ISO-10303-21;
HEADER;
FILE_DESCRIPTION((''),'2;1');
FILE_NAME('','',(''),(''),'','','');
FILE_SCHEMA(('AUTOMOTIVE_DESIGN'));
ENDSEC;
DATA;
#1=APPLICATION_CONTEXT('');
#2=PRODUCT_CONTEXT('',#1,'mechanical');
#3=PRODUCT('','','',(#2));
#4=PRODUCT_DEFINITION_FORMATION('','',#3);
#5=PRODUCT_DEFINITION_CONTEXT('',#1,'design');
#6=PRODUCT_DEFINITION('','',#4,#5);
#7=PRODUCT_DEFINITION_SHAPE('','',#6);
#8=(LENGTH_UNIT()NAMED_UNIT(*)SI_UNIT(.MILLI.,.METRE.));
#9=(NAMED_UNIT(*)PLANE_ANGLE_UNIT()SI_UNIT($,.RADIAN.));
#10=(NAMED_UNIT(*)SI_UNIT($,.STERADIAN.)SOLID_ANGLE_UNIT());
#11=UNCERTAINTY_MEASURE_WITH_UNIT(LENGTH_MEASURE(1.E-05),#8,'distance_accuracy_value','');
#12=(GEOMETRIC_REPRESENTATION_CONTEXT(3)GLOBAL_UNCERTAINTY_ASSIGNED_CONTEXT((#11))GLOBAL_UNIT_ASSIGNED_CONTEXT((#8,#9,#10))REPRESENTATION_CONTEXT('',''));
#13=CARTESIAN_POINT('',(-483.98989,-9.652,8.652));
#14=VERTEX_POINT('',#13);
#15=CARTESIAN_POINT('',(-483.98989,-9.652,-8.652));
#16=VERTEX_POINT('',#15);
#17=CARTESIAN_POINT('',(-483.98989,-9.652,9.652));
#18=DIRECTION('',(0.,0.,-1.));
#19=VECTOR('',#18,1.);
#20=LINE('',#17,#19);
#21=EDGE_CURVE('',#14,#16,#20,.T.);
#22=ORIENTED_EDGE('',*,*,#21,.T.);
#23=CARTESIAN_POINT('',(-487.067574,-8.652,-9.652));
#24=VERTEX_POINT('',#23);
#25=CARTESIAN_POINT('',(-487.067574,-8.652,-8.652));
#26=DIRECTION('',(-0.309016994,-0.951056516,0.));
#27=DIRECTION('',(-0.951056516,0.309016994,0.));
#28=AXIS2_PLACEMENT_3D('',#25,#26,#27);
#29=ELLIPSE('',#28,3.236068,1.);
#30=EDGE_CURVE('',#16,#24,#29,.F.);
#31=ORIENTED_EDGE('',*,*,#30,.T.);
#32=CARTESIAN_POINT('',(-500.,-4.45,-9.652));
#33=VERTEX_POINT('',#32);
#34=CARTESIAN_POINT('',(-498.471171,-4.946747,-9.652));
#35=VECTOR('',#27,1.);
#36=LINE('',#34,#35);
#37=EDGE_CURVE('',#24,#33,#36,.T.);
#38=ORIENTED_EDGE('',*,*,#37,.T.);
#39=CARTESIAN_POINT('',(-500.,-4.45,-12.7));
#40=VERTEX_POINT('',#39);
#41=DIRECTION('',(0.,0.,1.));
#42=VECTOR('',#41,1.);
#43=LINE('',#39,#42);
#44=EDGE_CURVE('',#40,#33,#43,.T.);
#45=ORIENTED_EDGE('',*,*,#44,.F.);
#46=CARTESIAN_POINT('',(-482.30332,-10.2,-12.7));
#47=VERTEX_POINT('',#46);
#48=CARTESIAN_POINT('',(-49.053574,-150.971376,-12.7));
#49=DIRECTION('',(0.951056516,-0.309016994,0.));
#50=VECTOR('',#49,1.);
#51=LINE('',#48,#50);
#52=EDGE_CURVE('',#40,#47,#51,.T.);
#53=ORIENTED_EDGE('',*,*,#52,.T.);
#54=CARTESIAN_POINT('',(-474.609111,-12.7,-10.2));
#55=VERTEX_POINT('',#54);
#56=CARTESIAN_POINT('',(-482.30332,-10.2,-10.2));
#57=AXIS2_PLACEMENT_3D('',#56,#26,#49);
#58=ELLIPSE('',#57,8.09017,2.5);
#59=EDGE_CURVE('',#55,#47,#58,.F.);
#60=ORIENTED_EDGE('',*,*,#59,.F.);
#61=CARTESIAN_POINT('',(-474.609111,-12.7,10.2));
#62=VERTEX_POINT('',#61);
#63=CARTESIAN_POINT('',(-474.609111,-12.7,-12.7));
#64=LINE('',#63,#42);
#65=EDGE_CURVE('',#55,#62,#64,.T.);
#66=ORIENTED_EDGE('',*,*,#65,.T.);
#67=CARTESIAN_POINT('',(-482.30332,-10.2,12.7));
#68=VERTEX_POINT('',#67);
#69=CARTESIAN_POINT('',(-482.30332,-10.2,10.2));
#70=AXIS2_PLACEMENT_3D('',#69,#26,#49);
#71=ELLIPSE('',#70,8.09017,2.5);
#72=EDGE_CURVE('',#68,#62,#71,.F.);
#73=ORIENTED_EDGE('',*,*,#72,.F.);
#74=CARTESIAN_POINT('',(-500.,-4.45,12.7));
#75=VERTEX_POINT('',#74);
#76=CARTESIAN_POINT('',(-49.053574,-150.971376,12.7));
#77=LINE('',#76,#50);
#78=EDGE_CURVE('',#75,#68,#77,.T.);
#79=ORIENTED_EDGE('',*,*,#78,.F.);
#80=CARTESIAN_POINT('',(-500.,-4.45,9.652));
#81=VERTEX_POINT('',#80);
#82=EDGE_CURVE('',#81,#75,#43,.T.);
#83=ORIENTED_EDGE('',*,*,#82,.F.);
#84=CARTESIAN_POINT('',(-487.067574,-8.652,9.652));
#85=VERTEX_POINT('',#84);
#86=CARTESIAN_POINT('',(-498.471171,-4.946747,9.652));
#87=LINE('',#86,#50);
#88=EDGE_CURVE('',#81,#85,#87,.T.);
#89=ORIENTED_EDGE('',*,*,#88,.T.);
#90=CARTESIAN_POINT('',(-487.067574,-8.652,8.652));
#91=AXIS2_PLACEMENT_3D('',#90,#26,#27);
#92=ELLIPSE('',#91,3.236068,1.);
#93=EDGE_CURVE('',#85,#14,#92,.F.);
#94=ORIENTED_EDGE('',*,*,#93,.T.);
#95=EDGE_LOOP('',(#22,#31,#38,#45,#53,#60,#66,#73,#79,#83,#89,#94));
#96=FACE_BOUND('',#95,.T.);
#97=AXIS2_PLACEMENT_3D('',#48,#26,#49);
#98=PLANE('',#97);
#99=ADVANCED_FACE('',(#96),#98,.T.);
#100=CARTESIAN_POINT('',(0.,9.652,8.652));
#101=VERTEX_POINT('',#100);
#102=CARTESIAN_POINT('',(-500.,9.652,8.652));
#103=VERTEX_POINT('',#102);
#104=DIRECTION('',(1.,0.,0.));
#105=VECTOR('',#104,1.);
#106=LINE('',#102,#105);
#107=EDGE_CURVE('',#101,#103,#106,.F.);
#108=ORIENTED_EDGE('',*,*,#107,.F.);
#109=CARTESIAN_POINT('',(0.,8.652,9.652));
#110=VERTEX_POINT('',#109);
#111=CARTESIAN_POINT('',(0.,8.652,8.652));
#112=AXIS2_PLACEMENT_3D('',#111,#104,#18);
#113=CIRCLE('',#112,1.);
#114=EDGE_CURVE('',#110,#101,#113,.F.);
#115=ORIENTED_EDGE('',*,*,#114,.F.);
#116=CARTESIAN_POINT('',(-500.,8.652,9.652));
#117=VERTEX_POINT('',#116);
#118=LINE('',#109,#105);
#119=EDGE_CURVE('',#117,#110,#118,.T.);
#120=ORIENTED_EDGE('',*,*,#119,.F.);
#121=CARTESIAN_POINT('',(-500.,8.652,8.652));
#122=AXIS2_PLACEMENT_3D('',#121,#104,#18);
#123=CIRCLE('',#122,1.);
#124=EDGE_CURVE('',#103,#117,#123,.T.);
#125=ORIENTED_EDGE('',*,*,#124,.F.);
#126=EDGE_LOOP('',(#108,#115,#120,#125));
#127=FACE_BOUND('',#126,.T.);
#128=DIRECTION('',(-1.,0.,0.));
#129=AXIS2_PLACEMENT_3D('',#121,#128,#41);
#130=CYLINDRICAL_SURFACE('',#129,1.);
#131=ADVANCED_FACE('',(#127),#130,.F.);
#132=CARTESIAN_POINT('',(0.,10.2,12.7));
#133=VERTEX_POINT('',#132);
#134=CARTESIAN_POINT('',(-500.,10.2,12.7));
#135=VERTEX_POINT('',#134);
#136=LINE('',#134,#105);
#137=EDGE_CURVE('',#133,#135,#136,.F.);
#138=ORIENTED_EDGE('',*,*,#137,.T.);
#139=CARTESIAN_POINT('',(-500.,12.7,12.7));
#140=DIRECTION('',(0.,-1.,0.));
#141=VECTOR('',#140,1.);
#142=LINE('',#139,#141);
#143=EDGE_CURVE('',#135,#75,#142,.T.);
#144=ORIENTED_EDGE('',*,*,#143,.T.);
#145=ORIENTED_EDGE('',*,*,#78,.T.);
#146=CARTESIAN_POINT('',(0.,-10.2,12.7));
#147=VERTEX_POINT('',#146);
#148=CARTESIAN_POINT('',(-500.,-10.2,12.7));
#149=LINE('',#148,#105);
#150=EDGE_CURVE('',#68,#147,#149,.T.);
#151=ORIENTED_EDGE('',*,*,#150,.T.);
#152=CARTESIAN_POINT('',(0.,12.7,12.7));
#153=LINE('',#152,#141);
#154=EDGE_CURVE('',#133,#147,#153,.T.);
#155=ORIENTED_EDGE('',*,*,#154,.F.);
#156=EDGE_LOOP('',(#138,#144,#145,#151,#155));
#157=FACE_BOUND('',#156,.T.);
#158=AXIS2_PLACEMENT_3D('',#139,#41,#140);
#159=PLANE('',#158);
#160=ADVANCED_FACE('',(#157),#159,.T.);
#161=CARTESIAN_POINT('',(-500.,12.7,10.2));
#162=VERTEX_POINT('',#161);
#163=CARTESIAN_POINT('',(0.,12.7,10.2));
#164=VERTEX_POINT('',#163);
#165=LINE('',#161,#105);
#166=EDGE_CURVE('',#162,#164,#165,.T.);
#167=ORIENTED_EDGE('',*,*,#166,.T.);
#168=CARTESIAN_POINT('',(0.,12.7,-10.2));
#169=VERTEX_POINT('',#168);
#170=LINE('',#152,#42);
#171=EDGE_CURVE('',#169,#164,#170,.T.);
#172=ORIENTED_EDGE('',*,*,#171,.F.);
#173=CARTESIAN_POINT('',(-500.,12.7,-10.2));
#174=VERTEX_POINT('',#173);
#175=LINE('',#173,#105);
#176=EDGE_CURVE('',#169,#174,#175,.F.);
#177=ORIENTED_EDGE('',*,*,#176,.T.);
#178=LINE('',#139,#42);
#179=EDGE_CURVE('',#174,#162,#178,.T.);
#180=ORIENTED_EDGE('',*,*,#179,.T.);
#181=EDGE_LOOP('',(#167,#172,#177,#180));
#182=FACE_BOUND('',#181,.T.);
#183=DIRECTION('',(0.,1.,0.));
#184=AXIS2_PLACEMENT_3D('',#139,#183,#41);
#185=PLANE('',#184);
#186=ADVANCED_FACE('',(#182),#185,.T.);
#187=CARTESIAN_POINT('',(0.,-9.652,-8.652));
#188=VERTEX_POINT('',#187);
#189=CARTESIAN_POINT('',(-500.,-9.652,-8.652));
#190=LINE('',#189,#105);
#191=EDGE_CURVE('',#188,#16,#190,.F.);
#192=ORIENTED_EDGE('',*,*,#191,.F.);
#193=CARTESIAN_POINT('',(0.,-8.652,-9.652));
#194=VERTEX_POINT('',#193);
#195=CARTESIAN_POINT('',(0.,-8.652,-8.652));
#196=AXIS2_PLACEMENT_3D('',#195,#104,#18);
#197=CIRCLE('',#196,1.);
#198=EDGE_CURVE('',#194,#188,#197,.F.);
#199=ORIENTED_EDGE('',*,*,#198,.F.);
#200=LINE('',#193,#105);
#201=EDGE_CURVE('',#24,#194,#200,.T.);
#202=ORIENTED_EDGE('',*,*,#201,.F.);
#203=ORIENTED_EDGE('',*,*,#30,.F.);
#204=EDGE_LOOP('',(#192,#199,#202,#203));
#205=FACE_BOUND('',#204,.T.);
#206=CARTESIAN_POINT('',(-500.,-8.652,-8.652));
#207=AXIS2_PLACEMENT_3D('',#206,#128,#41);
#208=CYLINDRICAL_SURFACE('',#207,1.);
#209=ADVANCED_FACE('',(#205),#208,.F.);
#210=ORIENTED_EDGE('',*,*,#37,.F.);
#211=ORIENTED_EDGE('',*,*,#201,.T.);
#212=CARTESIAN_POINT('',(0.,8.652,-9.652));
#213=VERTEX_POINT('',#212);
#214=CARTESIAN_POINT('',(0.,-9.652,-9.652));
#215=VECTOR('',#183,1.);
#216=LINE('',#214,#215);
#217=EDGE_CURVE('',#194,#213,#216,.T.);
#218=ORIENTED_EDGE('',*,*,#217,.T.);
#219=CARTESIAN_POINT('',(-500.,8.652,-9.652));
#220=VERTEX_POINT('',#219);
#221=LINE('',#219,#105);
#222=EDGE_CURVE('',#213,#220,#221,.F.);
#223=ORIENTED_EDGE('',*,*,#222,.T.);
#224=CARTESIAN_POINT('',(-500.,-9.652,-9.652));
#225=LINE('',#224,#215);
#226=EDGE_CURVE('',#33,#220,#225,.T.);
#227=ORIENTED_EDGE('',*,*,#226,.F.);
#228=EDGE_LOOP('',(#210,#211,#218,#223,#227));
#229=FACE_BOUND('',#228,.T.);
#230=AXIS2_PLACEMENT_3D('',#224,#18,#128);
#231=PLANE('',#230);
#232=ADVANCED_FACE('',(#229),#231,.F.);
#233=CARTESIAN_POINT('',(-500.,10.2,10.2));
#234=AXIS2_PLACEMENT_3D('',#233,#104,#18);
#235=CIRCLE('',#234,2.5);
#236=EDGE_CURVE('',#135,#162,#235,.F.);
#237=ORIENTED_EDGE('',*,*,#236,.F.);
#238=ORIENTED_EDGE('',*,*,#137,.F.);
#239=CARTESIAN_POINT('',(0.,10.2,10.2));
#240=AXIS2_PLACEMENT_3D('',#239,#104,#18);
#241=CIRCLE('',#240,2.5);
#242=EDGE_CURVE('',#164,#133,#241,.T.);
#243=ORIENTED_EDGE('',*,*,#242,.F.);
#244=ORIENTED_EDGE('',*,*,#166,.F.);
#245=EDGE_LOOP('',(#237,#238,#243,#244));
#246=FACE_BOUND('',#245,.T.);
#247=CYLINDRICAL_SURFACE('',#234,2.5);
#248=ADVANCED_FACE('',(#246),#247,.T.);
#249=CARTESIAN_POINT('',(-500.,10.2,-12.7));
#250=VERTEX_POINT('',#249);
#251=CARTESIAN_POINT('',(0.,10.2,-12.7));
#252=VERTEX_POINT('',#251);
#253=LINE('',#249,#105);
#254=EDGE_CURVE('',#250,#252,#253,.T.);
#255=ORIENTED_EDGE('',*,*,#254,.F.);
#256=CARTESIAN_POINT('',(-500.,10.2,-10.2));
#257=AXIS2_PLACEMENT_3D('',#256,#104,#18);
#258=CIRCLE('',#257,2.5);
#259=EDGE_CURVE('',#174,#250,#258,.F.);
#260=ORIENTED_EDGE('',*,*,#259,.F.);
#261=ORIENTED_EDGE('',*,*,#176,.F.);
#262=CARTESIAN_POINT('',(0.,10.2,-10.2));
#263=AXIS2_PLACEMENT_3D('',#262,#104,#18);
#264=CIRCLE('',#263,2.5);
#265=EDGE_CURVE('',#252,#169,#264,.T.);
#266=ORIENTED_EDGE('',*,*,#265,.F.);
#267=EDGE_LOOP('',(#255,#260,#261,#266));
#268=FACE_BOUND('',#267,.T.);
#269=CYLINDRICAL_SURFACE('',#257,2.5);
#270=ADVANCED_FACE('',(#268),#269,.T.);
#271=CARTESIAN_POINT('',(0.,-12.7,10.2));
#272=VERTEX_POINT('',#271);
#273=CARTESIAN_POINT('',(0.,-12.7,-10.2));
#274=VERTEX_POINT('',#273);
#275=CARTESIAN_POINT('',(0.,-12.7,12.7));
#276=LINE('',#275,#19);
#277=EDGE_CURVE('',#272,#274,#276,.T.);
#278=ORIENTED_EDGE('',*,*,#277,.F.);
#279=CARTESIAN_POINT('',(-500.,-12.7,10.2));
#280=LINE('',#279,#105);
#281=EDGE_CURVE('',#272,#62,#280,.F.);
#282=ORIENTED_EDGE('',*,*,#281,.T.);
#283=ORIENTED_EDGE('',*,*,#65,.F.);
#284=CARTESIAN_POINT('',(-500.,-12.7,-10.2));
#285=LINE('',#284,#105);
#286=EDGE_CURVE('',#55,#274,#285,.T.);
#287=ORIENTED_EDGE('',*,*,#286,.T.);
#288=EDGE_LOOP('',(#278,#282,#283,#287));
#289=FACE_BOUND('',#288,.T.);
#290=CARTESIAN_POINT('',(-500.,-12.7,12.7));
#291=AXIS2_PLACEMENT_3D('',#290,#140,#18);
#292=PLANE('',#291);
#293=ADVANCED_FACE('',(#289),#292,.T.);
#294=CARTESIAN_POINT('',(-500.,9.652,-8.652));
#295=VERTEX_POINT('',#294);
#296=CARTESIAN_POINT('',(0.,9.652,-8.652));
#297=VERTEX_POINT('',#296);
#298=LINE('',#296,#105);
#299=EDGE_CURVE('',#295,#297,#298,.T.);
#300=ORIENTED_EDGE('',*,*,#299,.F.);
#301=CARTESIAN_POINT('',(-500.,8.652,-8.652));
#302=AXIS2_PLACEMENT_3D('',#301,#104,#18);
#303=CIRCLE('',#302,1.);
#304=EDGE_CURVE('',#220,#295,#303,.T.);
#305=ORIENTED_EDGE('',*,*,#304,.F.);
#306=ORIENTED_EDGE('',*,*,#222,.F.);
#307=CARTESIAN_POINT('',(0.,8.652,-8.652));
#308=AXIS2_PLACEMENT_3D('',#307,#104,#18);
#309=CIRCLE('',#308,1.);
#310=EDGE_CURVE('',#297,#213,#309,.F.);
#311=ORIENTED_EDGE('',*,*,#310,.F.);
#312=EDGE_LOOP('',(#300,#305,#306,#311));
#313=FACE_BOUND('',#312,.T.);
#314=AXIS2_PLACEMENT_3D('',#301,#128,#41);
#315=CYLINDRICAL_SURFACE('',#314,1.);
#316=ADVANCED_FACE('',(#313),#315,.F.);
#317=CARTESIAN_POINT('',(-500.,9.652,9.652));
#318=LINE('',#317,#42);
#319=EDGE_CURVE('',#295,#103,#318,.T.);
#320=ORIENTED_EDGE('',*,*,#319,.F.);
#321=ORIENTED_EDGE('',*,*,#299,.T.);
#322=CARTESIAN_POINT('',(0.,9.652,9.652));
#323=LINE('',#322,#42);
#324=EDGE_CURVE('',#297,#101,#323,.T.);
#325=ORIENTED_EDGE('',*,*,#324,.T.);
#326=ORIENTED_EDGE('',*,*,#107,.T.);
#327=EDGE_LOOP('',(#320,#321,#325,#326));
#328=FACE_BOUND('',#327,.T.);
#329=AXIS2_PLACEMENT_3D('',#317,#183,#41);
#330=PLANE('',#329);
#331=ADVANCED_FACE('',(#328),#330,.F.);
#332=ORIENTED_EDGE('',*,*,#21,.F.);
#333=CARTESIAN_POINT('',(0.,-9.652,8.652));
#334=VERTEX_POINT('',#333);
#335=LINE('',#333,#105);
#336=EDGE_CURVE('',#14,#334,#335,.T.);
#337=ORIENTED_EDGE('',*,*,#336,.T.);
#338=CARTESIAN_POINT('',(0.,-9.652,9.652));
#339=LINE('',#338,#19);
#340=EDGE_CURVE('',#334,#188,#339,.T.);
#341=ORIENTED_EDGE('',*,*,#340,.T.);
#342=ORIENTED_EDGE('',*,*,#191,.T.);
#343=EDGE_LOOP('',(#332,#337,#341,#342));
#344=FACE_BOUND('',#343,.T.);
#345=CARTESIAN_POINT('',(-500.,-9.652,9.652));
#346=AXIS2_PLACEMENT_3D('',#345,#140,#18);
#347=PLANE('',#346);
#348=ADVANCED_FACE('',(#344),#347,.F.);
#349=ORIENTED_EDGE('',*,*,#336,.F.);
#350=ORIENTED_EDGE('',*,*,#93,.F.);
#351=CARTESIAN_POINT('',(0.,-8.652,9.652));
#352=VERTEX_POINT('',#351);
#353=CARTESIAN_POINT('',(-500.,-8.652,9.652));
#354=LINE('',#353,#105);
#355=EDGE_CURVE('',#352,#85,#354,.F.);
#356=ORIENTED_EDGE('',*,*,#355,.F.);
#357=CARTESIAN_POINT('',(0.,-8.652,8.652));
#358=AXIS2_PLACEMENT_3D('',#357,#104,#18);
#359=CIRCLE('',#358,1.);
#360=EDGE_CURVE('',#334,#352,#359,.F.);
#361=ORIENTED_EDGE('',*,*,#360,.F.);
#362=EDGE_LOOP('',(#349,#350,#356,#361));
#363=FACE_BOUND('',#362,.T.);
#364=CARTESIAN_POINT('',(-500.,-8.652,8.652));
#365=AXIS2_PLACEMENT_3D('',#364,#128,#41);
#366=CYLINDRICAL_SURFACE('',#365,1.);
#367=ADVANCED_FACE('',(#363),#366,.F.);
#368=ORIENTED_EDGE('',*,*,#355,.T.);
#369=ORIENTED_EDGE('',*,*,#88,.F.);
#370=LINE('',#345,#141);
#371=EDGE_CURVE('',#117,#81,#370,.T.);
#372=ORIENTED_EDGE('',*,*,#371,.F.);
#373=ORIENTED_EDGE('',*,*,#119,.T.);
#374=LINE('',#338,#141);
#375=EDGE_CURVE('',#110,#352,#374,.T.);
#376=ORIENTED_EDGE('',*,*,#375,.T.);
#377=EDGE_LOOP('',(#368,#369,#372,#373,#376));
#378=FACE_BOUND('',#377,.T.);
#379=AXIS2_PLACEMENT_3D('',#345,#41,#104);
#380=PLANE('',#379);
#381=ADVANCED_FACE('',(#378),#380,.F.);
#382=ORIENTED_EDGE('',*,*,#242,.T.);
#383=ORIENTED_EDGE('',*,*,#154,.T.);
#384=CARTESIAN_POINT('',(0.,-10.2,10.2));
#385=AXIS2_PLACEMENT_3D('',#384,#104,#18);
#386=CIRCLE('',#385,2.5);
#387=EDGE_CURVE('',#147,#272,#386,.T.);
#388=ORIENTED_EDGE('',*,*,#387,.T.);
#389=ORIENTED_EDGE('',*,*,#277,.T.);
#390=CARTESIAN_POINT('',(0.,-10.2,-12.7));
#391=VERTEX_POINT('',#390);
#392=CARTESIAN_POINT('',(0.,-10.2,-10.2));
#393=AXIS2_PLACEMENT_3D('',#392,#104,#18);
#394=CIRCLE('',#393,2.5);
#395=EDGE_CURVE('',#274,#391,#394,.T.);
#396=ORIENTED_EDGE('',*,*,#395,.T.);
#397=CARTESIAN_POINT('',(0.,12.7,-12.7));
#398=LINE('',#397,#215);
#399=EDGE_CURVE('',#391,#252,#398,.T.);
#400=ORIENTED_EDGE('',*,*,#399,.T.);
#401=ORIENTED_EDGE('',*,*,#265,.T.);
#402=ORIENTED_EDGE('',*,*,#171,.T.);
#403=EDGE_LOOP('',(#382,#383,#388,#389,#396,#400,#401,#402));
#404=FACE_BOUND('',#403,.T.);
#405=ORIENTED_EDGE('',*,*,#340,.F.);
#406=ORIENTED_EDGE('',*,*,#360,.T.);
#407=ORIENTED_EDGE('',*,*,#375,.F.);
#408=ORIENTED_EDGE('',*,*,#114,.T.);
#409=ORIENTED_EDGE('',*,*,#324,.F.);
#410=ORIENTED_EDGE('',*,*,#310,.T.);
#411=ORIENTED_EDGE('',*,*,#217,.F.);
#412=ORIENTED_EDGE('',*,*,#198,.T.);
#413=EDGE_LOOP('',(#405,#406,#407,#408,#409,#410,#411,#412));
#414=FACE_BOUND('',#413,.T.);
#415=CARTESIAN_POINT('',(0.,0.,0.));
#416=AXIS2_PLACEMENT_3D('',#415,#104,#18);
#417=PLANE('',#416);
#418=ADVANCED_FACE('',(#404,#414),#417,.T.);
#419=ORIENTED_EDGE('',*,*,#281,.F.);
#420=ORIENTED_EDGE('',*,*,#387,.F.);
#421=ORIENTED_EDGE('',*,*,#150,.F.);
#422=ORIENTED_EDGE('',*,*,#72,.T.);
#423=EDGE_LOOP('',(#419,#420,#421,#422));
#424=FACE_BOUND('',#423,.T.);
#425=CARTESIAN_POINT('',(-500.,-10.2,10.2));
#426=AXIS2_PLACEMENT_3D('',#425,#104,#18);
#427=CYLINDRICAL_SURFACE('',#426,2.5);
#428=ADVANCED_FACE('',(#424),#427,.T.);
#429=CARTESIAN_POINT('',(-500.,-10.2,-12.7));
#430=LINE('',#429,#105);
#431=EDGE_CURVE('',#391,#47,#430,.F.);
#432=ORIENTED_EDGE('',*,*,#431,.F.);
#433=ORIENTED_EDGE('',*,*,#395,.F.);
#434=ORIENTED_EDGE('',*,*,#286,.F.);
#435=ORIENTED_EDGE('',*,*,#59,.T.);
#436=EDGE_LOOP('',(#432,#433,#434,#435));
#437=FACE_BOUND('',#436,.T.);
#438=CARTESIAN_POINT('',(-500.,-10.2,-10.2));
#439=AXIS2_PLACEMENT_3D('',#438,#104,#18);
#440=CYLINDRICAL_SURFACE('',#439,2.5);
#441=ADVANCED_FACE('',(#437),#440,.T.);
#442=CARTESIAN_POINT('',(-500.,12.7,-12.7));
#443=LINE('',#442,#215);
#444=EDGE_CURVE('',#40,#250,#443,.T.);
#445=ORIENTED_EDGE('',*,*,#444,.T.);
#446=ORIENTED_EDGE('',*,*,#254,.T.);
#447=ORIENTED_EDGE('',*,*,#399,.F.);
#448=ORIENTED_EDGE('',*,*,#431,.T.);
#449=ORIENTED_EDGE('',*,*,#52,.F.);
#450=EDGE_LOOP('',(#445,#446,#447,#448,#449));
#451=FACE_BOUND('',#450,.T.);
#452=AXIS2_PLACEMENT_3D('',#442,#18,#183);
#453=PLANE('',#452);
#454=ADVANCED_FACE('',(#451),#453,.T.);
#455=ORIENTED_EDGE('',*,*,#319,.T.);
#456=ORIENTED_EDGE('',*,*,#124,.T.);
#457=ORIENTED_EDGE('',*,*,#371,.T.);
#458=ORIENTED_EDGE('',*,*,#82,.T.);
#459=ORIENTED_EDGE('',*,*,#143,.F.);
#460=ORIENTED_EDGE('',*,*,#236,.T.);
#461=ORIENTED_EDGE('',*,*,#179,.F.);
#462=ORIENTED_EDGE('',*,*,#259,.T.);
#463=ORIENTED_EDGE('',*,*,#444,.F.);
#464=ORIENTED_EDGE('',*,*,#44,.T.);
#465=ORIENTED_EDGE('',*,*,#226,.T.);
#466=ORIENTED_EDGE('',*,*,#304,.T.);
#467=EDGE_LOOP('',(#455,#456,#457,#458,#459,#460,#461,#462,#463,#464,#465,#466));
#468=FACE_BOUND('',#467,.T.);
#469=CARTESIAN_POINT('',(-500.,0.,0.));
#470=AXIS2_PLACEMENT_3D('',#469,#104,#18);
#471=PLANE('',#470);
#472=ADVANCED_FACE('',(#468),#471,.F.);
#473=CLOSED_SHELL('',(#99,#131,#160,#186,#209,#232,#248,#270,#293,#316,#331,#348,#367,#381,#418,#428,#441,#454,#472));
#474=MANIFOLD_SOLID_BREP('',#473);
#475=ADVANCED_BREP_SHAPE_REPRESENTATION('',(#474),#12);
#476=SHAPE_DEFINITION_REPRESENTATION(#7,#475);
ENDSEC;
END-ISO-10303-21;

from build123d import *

# Parameters (mm, degrees)
SKETCH3_W           = 25.4
SKETCH3_H           = 25.4
SKETCH3_W_2         = 19.304
SKETCH3_H_2         = 19.304
BOSS_EXTRUDE1_DEPTH = 500
FILLET1_R           = 2.5
FILLET2_R           = 1
CUT_EXTRUDE1_DEPTH  = 501.805800685


with BuildPart() as part:
    # Sketch3 → Boss-Extrude1 (new body)
    with BuildSketch(Plane(origin=(0, 0, 0), x_dir=(0, 0, -1), z_dir=(1, 0, 0))):
        Rectangle(SKETCH3_W, SKETCH3_H)
        Rectangle(SKETCH3_W_2, SKETCH3_H_2, mode=Mode.SUBTRACT)
    extrude(amount=-BOSS_EXTRUDE1_DEPTH)

    # Fillet1
    fillet1_edges = [part.edges().sort_by_distance(p)[0] for p in [
        (-250, -12.7, -12.7),
        (-250, -12.7, 12.7),
        (-250, 12.7, 12.7),
        (-250, 12.7, -12.7),
    ]]
    fillet(fillet1_edges, radius=FILLET1_R)

    # Fillet2
    fillet2_edges = [part.edges().sort_by_distance(p)[0] for p in [
        (-250, 9.652, -9.652),
        (-250, -9.652, -9.652),
        (-250, -9.652, 9.652),
        (-250, 9.652, 9.652),
    ]]
    fillet(fillet2_edges, radius=FILLET2_R)

    # Sketch4 → Cut-Extrude1 (cut, through all)
    with BuildSketch(Plane.XY.offset(12.7)):
        Polygon((-482.303319661, -10.2), (-500, -4.45), (-500, -10.2), align=None)
        Polygon((-474.609110818, -12.7), (-482.303319661, -10.2), (-500, -10.2), (-500, -12.7), align=None)
    extrude(amount=-CUT_EXTRUDE1_DEPTH, mode=Mode.SUBTRACT)


solid = part.part
